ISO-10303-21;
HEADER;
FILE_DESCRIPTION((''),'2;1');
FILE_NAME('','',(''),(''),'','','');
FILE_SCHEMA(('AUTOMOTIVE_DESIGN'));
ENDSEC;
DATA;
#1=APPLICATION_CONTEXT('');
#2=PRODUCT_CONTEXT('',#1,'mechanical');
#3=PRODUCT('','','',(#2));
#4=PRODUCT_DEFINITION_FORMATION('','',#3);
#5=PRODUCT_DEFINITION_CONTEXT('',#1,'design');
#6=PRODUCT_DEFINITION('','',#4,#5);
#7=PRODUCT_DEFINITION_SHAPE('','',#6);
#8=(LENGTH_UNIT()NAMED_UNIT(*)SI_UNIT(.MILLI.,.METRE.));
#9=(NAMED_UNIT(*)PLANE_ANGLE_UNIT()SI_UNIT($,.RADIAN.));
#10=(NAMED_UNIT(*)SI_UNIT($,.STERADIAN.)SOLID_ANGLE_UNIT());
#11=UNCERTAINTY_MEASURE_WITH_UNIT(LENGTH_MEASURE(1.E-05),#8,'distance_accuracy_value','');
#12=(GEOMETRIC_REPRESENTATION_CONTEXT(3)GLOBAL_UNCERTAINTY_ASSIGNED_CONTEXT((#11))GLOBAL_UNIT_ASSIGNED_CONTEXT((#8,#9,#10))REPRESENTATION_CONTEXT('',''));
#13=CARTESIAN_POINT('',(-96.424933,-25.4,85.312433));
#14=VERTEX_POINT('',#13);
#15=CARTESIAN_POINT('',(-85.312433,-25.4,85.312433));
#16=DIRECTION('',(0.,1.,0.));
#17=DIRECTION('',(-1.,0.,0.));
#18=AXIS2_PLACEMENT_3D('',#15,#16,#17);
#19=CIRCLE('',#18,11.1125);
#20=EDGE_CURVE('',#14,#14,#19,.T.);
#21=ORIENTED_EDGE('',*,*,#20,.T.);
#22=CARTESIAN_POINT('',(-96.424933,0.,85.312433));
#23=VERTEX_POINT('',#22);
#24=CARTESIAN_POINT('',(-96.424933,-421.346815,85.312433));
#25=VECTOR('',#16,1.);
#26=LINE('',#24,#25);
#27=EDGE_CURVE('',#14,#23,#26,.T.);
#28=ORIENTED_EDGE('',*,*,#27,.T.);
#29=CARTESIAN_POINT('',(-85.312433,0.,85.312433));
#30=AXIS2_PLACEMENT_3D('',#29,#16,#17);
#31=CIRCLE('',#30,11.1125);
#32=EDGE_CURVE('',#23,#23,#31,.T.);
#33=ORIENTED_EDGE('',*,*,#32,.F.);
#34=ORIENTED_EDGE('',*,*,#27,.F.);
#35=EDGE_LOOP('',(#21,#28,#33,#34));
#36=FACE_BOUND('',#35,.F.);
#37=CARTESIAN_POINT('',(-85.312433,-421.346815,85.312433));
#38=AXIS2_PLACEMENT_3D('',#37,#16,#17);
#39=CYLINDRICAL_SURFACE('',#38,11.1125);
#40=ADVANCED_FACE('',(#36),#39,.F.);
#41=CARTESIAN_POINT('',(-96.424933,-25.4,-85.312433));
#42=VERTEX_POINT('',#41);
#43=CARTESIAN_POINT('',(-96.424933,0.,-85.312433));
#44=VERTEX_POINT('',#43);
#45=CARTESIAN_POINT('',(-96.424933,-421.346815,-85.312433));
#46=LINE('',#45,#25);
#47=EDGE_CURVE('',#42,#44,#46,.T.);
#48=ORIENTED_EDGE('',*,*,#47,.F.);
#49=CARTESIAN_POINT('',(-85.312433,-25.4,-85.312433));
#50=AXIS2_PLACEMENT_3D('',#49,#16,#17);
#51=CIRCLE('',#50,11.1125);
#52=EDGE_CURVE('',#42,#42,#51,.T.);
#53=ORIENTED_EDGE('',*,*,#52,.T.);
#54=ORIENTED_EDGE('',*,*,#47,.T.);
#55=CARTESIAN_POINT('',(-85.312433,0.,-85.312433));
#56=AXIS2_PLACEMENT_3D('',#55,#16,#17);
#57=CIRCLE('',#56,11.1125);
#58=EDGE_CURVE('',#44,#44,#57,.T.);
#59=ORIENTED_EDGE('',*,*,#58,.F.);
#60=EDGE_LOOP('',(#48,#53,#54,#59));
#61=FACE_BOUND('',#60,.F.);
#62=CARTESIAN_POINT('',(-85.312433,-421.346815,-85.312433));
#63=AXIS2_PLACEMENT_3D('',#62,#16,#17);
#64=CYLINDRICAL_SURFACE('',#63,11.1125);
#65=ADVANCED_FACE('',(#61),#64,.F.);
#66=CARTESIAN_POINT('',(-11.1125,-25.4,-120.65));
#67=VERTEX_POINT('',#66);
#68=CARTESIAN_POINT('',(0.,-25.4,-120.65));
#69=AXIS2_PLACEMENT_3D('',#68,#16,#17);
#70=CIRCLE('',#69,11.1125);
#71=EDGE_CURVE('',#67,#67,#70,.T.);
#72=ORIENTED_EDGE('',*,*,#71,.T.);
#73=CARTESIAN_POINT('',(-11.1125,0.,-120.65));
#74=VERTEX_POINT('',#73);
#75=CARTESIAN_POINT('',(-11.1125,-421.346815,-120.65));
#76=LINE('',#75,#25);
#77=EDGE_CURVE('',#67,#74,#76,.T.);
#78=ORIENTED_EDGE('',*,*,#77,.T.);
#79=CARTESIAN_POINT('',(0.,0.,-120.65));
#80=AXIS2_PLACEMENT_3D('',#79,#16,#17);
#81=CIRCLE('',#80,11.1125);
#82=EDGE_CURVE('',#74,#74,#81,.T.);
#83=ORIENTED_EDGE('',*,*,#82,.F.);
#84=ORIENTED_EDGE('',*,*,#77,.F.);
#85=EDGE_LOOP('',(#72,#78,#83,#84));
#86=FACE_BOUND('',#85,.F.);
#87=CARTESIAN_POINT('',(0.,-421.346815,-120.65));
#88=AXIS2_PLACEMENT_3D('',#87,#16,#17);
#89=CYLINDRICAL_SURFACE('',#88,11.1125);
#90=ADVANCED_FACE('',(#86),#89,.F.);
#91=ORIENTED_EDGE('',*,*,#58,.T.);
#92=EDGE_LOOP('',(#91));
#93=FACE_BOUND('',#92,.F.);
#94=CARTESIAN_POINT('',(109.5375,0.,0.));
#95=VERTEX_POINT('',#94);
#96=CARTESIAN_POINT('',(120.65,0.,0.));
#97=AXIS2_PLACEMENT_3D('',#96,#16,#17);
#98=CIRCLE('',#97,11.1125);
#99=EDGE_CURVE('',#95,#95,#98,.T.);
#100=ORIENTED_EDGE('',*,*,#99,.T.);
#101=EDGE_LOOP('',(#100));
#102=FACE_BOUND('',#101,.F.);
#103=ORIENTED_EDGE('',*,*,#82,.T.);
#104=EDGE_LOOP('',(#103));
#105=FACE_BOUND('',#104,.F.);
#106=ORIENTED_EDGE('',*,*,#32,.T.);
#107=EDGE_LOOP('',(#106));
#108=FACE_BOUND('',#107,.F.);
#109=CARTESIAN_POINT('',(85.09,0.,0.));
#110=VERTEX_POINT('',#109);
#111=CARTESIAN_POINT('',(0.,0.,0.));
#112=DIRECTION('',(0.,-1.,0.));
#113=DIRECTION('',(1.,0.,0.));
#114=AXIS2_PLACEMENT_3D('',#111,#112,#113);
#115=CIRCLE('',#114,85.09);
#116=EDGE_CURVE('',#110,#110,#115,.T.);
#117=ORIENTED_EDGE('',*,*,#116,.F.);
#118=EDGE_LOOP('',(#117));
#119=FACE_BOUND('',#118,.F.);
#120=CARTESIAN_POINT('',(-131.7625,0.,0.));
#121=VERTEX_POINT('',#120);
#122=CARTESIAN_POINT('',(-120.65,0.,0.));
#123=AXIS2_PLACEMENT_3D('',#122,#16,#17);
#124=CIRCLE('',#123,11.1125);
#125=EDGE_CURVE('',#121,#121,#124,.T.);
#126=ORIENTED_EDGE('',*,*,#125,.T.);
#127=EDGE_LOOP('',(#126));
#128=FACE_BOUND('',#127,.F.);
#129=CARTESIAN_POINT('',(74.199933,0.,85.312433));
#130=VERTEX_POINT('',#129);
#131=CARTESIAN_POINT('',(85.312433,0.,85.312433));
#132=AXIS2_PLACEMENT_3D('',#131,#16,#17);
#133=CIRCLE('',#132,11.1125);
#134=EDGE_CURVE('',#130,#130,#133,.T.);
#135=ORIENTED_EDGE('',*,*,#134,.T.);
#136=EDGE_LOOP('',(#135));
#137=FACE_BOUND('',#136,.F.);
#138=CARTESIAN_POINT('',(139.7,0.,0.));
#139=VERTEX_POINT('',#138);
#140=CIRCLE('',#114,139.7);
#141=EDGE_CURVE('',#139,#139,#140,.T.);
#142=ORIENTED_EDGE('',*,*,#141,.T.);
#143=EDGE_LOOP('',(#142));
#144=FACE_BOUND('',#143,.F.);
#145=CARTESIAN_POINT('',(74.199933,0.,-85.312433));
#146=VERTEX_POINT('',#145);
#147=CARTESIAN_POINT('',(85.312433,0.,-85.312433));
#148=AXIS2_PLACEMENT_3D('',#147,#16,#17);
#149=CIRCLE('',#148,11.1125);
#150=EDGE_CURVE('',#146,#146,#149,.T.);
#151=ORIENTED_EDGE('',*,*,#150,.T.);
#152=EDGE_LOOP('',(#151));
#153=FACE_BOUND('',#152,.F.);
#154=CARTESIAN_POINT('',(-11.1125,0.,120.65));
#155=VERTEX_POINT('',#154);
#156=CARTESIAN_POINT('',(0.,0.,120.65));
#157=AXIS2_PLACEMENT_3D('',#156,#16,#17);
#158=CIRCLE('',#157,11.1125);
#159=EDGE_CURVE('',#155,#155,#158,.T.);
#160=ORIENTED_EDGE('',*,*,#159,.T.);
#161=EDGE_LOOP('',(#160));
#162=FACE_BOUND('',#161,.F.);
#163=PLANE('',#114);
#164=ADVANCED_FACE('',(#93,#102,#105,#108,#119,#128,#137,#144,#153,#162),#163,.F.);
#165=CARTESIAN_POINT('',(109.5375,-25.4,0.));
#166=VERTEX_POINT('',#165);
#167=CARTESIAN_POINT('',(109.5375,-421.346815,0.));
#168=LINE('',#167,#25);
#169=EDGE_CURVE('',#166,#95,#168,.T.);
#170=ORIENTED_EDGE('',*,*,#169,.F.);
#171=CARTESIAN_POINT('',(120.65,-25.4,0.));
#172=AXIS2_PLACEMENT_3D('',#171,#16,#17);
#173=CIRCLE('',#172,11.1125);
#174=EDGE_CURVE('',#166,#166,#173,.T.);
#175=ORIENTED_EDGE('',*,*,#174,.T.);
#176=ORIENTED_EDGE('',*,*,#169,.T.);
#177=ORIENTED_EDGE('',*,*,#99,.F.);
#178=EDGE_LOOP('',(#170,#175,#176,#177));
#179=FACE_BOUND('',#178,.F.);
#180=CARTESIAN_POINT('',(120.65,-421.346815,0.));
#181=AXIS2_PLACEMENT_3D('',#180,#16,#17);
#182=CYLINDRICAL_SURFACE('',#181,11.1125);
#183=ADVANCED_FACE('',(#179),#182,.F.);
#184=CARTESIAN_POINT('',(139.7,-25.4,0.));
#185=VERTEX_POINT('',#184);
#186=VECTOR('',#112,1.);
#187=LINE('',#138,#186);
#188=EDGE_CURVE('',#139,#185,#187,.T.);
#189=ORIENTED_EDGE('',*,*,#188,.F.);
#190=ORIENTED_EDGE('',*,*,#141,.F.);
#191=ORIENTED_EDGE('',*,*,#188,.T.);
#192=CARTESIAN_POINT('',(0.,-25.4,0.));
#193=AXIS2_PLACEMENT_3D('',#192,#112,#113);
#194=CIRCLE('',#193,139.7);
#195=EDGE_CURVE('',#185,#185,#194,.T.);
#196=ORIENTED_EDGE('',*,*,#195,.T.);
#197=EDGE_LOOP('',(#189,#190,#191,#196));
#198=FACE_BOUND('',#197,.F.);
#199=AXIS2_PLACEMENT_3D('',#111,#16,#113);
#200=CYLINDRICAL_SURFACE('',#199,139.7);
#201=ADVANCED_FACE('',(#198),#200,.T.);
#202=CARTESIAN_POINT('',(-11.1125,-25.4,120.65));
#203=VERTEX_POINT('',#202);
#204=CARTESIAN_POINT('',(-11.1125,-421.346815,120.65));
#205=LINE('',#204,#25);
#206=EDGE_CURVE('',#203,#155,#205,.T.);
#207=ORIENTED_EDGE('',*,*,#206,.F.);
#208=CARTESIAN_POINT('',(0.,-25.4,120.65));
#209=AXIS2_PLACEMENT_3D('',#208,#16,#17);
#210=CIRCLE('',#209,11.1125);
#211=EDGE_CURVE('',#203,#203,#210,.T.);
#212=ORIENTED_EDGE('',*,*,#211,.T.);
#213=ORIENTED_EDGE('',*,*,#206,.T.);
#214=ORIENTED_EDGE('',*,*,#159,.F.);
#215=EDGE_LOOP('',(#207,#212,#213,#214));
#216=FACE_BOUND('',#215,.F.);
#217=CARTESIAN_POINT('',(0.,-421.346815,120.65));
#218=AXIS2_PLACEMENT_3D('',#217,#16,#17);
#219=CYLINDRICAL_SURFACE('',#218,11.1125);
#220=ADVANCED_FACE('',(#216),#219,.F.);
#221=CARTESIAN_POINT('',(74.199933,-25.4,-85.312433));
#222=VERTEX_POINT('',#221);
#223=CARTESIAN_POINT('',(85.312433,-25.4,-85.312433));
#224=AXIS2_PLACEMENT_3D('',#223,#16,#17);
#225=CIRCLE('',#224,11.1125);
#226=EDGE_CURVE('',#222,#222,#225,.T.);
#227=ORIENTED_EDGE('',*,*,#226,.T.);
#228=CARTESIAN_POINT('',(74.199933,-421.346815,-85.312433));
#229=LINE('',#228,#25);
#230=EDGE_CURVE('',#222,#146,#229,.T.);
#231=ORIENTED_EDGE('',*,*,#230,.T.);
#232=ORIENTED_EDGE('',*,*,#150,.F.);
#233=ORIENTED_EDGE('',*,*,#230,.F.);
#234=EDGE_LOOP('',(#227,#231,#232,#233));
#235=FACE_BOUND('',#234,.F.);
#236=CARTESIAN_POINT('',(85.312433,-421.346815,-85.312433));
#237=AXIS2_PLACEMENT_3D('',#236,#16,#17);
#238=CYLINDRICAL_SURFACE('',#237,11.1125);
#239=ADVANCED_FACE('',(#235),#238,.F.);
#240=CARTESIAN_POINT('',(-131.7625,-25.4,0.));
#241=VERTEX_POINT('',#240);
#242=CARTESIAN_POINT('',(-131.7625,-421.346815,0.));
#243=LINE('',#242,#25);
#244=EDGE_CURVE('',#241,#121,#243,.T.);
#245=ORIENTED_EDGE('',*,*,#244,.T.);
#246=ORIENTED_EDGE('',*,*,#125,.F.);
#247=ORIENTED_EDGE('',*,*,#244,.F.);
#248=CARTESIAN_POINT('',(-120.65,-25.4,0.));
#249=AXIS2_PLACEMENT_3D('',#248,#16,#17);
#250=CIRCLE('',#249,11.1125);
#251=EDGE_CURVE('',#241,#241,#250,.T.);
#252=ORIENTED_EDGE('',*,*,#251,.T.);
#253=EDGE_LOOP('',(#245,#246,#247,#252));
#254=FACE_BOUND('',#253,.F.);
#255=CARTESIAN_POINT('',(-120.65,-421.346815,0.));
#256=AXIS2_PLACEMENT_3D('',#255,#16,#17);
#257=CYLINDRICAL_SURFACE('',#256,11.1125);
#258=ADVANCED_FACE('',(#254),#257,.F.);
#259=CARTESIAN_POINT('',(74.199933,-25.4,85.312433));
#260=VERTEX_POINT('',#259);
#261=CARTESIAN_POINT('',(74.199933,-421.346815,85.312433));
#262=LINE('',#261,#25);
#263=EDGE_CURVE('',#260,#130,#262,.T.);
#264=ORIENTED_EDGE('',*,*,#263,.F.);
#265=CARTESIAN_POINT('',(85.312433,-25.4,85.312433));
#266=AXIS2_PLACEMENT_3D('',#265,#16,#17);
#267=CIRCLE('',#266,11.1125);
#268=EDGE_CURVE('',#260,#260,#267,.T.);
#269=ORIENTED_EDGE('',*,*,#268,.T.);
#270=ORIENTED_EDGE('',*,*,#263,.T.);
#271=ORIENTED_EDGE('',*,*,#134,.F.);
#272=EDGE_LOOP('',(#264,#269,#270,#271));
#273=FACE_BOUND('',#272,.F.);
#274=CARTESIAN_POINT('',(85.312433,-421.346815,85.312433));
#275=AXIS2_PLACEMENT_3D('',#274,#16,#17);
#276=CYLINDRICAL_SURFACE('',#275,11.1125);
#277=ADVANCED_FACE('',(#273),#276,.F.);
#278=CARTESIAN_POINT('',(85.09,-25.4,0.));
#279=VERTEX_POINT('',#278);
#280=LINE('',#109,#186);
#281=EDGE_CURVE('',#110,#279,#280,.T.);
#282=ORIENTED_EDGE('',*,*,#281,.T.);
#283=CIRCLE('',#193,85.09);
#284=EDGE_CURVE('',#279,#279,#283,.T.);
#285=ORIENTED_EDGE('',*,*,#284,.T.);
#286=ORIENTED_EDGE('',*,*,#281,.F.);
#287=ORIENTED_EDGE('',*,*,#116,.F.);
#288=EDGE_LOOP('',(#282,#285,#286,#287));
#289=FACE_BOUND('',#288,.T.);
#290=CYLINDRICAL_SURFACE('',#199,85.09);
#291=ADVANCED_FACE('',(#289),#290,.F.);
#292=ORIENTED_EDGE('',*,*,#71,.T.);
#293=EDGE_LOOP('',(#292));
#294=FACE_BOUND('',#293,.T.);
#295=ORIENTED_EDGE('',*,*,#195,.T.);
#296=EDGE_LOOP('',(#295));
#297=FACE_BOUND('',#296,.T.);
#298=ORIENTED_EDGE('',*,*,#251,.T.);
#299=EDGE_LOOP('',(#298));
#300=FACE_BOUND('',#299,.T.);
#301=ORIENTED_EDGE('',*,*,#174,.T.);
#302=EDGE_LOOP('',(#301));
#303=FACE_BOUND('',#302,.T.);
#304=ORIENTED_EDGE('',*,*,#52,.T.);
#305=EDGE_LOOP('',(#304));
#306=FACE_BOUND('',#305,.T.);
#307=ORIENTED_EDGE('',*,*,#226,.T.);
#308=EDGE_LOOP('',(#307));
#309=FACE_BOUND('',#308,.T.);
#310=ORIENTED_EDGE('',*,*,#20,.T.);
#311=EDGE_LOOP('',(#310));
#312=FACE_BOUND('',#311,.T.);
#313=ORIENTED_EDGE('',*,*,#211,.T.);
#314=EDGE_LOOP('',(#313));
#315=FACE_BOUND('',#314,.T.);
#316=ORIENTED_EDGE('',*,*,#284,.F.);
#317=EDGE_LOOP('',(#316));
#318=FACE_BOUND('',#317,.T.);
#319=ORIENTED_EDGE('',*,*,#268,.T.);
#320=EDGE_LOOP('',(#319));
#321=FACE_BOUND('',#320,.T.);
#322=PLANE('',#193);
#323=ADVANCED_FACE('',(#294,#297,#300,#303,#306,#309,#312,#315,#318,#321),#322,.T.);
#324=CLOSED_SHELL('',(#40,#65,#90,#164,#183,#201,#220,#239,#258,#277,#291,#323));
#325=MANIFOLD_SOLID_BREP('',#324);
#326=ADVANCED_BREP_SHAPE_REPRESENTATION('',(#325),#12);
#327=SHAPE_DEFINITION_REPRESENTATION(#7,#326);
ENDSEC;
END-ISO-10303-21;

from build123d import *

# Parameters (mm, degrees)
F0_R     = 139.7
F0_R_2   = 85.09
F1_DEPTH = 25.4
F3_D     = 22.225


with BuildPart() as f1:
    # F0 (on Front) → F1 (new body)
    with BuildSketch(Plane.XZ):
        Circle(F0_R)
        Circle(F0_R_2, mode=Mode.SUBTRACT)
    extrude(amount=F1_DEPTH)

    # F3 (through all)
    with Locations(Plane.XZ.offset(25.4)):
        with Locations((-85.312433, 85.312433), (0, 120.65), (85.312433, 85.312433), (120.65, 0), (85.312433, -85.312433), (0, -120.65), (-85.312433, -85.312433), (-120.65, 0)):
            Hole(F3_D / 2)


solid = f1.part
